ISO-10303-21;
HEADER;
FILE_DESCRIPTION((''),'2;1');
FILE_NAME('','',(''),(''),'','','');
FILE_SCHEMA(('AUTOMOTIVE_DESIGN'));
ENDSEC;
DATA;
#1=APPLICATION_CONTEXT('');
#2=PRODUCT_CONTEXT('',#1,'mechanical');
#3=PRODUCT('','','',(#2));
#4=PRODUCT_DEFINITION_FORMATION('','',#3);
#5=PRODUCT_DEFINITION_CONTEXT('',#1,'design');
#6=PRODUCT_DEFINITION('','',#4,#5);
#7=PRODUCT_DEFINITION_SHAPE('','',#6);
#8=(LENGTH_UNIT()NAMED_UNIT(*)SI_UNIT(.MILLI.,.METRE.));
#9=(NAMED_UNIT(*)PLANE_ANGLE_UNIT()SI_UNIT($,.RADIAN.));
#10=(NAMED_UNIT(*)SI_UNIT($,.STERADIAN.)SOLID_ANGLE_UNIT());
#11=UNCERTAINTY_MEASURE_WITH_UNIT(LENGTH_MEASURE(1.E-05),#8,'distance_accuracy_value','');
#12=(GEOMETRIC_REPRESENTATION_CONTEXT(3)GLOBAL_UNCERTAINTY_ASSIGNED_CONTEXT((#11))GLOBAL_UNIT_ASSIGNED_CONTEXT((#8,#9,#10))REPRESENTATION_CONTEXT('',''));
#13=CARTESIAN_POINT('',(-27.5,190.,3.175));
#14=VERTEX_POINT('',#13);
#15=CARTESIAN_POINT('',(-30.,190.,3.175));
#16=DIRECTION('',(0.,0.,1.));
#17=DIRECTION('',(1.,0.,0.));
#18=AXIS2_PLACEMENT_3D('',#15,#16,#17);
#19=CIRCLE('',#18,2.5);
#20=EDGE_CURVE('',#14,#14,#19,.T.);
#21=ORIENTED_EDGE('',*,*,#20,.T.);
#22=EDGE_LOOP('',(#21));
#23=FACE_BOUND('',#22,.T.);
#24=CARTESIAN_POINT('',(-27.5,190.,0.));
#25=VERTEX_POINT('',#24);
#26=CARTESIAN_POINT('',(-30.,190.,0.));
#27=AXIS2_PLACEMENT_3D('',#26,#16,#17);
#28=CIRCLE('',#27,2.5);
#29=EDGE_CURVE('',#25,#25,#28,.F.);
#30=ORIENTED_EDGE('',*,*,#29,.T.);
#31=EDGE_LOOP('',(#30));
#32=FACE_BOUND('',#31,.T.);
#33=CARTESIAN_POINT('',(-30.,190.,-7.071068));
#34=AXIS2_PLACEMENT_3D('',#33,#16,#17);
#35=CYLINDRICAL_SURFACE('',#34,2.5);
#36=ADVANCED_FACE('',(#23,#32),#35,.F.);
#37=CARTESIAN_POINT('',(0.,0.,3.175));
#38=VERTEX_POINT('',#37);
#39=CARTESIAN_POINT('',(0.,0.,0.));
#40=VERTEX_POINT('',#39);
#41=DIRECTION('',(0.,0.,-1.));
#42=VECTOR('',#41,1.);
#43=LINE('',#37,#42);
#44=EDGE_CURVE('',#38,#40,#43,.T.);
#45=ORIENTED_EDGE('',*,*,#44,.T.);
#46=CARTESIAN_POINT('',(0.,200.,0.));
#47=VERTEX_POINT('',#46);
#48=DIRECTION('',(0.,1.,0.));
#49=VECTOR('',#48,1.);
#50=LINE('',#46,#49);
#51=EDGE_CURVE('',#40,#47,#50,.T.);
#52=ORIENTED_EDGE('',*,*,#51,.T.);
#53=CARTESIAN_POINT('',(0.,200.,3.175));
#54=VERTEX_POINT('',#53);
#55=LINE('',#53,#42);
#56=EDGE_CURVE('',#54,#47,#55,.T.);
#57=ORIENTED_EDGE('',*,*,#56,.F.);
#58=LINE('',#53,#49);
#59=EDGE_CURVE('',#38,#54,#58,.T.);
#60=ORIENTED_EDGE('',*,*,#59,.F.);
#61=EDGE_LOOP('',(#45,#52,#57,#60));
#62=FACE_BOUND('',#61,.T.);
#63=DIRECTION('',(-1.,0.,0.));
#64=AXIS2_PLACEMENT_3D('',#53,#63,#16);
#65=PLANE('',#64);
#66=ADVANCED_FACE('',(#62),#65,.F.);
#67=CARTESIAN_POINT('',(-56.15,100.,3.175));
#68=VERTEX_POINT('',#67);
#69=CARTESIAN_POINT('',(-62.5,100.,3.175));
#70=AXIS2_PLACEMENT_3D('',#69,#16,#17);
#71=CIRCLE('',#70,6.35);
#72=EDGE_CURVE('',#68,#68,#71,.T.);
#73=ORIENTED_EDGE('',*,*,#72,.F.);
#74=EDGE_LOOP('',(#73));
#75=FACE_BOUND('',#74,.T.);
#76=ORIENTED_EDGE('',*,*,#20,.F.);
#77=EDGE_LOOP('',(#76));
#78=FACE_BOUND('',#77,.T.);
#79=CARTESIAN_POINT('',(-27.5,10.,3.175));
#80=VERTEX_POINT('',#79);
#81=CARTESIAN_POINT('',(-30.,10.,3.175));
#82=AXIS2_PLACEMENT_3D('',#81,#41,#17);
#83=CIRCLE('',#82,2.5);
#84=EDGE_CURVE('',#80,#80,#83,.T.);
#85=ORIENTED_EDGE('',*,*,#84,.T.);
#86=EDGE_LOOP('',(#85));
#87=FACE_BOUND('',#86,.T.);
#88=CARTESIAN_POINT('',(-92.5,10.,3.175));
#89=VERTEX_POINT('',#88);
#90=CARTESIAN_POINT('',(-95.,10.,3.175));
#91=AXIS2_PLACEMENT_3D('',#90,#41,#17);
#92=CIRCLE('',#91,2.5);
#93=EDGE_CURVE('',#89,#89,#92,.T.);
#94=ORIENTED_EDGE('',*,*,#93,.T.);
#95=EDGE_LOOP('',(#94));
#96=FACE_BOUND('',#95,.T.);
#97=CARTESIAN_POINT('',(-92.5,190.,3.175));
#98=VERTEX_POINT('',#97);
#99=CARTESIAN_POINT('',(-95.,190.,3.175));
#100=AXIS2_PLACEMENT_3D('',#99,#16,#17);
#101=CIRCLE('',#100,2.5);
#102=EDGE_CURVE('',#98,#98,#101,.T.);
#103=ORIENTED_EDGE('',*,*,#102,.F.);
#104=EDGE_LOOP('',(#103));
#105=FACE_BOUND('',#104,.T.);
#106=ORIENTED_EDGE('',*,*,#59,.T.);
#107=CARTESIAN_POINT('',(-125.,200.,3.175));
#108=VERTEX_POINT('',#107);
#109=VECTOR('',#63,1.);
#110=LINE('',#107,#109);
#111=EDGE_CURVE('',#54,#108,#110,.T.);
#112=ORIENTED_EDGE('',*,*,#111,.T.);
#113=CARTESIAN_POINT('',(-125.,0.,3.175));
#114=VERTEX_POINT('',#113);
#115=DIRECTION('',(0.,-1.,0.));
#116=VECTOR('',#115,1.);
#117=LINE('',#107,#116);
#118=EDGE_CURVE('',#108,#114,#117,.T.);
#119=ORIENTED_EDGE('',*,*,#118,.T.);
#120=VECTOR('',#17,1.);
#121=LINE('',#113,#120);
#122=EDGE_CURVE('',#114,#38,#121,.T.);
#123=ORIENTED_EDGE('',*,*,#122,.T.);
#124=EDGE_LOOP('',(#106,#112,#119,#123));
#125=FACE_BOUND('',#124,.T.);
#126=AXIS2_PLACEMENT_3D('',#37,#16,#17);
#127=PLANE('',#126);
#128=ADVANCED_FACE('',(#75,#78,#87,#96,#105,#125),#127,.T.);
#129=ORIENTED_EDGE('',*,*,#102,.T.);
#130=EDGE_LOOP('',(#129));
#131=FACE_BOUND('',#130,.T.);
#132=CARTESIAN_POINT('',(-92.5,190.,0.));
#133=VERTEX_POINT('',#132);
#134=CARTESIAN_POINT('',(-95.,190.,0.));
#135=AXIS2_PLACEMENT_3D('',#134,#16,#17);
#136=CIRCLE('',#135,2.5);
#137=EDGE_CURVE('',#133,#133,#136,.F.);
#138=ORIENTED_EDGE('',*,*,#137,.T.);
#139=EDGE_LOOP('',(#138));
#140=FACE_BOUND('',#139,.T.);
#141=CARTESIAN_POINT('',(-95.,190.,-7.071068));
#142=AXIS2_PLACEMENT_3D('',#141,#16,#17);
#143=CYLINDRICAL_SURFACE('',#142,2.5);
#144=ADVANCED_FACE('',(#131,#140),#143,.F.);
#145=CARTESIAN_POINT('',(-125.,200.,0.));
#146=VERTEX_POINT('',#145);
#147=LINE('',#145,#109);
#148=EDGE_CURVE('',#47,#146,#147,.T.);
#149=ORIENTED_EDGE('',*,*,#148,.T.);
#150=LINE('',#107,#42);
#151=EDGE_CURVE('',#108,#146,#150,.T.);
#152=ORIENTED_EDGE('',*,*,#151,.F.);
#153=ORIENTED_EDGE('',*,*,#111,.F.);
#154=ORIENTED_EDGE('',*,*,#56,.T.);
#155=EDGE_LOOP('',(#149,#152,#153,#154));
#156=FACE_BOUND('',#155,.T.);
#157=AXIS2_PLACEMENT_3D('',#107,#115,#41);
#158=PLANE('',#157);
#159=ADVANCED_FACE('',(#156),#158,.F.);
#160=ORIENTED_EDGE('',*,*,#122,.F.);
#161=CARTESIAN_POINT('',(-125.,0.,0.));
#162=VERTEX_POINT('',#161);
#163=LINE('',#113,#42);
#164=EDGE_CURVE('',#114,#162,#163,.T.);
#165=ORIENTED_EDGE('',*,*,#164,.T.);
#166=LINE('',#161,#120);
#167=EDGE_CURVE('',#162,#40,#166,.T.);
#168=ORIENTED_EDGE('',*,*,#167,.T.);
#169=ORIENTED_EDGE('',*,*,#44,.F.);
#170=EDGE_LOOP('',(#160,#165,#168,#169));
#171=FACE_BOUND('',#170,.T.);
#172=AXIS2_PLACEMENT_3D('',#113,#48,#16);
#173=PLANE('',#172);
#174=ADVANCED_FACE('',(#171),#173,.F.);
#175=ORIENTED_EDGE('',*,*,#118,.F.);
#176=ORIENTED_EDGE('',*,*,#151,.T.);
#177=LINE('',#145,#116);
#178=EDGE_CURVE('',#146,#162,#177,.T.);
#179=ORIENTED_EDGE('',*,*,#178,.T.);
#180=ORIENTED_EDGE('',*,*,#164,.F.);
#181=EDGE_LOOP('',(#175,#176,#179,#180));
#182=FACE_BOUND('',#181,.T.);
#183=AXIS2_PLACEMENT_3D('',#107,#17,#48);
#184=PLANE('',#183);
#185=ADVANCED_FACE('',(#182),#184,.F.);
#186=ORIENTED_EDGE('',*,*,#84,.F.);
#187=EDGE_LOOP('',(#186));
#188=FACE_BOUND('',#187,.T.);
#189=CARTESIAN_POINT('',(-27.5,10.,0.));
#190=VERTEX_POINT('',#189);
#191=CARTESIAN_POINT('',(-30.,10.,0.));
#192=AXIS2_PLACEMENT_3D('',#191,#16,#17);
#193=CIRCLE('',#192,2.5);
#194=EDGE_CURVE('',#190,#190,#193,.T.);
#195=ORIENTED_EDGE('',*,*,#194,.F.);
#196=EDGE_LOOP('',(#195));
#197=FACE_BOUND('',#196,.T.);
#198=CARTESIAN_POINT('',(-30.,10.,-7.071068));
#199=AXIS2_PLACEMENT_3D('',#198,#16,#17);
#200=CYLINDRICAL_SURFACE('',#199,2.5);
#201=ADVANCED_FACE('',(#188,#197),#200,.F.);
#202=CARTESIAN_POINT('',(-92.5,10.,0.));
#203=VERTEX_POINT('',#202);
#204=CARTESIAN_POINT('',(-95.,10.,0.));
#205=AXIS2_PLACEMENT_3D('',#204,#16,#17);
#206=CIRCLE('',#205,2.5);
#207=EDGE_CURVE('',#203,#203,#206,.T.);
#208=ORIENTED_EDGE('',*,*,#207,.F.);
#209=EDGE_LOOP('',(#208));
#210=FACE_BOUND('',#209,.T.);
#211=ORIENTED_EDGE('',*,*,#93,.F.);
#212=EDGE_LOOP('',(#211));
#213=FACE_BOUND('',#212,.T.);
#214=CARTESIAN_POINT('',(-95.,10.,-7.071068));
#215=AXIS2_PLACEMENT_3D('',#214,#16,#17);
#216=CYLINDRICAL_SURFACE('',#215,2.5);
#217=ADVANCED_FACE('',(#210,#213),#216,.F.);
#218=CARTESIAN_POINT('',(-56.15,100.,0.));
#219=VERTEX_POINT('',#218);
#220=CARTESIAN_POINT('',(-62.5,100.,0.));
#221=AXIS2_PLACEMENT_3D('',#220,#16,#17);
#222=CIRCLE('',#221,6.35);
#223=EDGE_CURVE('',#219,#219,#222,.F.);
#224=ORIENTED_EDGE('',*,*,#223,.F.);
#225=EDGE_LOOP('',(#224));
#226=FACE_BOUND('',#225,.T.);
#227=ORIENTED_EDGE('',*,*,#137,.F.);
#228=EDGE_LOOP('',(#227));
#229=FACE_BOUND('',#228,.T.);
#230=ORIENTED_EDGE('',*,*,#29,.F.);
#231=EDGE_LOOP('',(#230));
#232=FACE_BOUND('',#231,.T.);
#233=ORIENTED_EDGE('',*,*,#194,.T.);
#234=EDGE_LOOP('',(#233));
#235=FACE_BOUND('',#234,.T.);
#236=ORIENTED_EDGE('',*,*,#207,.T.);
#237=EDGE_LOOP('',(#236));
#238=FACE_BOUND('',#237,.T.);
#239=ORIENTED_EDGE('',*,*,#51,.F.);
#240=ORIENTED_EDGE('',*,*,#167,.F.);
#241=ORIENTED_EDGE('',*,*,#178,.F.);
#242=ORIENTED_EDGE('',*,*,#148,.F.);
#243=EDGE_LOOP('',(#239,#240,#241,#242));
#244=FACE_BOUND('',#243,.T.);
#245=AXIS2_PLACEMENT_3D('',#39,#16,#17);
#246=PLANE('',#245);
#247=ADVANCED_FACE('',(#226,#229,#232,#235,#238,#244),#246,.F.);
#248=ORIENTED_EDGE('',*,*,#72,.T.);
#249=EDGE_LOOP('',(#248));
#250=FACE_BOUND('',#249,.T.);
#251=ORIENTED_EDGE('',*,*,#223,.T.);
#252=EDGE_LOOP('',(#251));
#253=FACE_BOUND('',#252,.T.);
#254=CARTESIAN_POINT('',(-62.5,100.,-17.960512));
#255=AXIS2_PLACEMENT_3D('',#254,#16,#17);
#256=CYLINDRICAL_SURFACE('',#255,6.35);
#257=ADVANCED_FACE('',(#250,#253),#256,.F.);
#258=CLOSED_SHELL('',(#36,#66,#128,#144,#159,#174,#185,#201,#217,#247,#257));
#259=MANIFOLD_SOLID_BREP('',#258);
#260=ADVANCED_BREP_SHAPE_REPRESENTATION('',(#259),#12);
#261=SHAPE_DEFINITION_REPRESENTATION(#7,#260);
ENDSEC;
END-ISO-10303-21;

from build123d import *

# Parameters (mm, degrees)
SKETCH1_W           = 125
SKETCH1_H           = 200
BOSS_EXTRUDE1_DEPTH = 3.175
SKETCH2_R           = 2.5
CUT_EXTRUDE1_DEPTH  = 3.175
SKETCH3_R           = 6.35
CUT_EXTRUDE2_DEPTH  = 3.175


with BuildPart() as part:
    # Sketch1 → Boss-Extrude1 (new body)
    with BuildSketch(Plane.XY):
        with Locations((-62.5, 100)):
            Rectangle(SKETCH1_W, SKETCH1_H)
    extrude(amount=BOSS_EXTRUDE1_DEPTH)

    # Sketch2 → Cut-Extrude1 (cut)
    with BuildSketch(Plane.XY.offset(3.175)):
        with Locations((-95, 190)):
            Circle(SKETCH2_R)
        with Locations((-30, 190)):
            Circle(SKETCH2_R)
    cut_extrude1 = extrude(amount=-CUT_EXTRUDE1_DEPTH, mode=Mode.SUBTRACT)

    # Mirror1: Cut-Extrude1 across plane
    add(cut_extrude1.mirror(Plane.ZX.offset(100)), mode=Mode.SUBTRACT)

    # Sketch3 → Cut-Extrude2 (cut)
    with BuildSketch(Plane.XY.offset(3.175)):
        with Locations((-62.5, 100)):
            Circle(SKETCH3_R)
    extrude(amount=-CUT_EXTRUDE2_DEPTH, mode=Mode.SUBTRACT)


solid = part.part
